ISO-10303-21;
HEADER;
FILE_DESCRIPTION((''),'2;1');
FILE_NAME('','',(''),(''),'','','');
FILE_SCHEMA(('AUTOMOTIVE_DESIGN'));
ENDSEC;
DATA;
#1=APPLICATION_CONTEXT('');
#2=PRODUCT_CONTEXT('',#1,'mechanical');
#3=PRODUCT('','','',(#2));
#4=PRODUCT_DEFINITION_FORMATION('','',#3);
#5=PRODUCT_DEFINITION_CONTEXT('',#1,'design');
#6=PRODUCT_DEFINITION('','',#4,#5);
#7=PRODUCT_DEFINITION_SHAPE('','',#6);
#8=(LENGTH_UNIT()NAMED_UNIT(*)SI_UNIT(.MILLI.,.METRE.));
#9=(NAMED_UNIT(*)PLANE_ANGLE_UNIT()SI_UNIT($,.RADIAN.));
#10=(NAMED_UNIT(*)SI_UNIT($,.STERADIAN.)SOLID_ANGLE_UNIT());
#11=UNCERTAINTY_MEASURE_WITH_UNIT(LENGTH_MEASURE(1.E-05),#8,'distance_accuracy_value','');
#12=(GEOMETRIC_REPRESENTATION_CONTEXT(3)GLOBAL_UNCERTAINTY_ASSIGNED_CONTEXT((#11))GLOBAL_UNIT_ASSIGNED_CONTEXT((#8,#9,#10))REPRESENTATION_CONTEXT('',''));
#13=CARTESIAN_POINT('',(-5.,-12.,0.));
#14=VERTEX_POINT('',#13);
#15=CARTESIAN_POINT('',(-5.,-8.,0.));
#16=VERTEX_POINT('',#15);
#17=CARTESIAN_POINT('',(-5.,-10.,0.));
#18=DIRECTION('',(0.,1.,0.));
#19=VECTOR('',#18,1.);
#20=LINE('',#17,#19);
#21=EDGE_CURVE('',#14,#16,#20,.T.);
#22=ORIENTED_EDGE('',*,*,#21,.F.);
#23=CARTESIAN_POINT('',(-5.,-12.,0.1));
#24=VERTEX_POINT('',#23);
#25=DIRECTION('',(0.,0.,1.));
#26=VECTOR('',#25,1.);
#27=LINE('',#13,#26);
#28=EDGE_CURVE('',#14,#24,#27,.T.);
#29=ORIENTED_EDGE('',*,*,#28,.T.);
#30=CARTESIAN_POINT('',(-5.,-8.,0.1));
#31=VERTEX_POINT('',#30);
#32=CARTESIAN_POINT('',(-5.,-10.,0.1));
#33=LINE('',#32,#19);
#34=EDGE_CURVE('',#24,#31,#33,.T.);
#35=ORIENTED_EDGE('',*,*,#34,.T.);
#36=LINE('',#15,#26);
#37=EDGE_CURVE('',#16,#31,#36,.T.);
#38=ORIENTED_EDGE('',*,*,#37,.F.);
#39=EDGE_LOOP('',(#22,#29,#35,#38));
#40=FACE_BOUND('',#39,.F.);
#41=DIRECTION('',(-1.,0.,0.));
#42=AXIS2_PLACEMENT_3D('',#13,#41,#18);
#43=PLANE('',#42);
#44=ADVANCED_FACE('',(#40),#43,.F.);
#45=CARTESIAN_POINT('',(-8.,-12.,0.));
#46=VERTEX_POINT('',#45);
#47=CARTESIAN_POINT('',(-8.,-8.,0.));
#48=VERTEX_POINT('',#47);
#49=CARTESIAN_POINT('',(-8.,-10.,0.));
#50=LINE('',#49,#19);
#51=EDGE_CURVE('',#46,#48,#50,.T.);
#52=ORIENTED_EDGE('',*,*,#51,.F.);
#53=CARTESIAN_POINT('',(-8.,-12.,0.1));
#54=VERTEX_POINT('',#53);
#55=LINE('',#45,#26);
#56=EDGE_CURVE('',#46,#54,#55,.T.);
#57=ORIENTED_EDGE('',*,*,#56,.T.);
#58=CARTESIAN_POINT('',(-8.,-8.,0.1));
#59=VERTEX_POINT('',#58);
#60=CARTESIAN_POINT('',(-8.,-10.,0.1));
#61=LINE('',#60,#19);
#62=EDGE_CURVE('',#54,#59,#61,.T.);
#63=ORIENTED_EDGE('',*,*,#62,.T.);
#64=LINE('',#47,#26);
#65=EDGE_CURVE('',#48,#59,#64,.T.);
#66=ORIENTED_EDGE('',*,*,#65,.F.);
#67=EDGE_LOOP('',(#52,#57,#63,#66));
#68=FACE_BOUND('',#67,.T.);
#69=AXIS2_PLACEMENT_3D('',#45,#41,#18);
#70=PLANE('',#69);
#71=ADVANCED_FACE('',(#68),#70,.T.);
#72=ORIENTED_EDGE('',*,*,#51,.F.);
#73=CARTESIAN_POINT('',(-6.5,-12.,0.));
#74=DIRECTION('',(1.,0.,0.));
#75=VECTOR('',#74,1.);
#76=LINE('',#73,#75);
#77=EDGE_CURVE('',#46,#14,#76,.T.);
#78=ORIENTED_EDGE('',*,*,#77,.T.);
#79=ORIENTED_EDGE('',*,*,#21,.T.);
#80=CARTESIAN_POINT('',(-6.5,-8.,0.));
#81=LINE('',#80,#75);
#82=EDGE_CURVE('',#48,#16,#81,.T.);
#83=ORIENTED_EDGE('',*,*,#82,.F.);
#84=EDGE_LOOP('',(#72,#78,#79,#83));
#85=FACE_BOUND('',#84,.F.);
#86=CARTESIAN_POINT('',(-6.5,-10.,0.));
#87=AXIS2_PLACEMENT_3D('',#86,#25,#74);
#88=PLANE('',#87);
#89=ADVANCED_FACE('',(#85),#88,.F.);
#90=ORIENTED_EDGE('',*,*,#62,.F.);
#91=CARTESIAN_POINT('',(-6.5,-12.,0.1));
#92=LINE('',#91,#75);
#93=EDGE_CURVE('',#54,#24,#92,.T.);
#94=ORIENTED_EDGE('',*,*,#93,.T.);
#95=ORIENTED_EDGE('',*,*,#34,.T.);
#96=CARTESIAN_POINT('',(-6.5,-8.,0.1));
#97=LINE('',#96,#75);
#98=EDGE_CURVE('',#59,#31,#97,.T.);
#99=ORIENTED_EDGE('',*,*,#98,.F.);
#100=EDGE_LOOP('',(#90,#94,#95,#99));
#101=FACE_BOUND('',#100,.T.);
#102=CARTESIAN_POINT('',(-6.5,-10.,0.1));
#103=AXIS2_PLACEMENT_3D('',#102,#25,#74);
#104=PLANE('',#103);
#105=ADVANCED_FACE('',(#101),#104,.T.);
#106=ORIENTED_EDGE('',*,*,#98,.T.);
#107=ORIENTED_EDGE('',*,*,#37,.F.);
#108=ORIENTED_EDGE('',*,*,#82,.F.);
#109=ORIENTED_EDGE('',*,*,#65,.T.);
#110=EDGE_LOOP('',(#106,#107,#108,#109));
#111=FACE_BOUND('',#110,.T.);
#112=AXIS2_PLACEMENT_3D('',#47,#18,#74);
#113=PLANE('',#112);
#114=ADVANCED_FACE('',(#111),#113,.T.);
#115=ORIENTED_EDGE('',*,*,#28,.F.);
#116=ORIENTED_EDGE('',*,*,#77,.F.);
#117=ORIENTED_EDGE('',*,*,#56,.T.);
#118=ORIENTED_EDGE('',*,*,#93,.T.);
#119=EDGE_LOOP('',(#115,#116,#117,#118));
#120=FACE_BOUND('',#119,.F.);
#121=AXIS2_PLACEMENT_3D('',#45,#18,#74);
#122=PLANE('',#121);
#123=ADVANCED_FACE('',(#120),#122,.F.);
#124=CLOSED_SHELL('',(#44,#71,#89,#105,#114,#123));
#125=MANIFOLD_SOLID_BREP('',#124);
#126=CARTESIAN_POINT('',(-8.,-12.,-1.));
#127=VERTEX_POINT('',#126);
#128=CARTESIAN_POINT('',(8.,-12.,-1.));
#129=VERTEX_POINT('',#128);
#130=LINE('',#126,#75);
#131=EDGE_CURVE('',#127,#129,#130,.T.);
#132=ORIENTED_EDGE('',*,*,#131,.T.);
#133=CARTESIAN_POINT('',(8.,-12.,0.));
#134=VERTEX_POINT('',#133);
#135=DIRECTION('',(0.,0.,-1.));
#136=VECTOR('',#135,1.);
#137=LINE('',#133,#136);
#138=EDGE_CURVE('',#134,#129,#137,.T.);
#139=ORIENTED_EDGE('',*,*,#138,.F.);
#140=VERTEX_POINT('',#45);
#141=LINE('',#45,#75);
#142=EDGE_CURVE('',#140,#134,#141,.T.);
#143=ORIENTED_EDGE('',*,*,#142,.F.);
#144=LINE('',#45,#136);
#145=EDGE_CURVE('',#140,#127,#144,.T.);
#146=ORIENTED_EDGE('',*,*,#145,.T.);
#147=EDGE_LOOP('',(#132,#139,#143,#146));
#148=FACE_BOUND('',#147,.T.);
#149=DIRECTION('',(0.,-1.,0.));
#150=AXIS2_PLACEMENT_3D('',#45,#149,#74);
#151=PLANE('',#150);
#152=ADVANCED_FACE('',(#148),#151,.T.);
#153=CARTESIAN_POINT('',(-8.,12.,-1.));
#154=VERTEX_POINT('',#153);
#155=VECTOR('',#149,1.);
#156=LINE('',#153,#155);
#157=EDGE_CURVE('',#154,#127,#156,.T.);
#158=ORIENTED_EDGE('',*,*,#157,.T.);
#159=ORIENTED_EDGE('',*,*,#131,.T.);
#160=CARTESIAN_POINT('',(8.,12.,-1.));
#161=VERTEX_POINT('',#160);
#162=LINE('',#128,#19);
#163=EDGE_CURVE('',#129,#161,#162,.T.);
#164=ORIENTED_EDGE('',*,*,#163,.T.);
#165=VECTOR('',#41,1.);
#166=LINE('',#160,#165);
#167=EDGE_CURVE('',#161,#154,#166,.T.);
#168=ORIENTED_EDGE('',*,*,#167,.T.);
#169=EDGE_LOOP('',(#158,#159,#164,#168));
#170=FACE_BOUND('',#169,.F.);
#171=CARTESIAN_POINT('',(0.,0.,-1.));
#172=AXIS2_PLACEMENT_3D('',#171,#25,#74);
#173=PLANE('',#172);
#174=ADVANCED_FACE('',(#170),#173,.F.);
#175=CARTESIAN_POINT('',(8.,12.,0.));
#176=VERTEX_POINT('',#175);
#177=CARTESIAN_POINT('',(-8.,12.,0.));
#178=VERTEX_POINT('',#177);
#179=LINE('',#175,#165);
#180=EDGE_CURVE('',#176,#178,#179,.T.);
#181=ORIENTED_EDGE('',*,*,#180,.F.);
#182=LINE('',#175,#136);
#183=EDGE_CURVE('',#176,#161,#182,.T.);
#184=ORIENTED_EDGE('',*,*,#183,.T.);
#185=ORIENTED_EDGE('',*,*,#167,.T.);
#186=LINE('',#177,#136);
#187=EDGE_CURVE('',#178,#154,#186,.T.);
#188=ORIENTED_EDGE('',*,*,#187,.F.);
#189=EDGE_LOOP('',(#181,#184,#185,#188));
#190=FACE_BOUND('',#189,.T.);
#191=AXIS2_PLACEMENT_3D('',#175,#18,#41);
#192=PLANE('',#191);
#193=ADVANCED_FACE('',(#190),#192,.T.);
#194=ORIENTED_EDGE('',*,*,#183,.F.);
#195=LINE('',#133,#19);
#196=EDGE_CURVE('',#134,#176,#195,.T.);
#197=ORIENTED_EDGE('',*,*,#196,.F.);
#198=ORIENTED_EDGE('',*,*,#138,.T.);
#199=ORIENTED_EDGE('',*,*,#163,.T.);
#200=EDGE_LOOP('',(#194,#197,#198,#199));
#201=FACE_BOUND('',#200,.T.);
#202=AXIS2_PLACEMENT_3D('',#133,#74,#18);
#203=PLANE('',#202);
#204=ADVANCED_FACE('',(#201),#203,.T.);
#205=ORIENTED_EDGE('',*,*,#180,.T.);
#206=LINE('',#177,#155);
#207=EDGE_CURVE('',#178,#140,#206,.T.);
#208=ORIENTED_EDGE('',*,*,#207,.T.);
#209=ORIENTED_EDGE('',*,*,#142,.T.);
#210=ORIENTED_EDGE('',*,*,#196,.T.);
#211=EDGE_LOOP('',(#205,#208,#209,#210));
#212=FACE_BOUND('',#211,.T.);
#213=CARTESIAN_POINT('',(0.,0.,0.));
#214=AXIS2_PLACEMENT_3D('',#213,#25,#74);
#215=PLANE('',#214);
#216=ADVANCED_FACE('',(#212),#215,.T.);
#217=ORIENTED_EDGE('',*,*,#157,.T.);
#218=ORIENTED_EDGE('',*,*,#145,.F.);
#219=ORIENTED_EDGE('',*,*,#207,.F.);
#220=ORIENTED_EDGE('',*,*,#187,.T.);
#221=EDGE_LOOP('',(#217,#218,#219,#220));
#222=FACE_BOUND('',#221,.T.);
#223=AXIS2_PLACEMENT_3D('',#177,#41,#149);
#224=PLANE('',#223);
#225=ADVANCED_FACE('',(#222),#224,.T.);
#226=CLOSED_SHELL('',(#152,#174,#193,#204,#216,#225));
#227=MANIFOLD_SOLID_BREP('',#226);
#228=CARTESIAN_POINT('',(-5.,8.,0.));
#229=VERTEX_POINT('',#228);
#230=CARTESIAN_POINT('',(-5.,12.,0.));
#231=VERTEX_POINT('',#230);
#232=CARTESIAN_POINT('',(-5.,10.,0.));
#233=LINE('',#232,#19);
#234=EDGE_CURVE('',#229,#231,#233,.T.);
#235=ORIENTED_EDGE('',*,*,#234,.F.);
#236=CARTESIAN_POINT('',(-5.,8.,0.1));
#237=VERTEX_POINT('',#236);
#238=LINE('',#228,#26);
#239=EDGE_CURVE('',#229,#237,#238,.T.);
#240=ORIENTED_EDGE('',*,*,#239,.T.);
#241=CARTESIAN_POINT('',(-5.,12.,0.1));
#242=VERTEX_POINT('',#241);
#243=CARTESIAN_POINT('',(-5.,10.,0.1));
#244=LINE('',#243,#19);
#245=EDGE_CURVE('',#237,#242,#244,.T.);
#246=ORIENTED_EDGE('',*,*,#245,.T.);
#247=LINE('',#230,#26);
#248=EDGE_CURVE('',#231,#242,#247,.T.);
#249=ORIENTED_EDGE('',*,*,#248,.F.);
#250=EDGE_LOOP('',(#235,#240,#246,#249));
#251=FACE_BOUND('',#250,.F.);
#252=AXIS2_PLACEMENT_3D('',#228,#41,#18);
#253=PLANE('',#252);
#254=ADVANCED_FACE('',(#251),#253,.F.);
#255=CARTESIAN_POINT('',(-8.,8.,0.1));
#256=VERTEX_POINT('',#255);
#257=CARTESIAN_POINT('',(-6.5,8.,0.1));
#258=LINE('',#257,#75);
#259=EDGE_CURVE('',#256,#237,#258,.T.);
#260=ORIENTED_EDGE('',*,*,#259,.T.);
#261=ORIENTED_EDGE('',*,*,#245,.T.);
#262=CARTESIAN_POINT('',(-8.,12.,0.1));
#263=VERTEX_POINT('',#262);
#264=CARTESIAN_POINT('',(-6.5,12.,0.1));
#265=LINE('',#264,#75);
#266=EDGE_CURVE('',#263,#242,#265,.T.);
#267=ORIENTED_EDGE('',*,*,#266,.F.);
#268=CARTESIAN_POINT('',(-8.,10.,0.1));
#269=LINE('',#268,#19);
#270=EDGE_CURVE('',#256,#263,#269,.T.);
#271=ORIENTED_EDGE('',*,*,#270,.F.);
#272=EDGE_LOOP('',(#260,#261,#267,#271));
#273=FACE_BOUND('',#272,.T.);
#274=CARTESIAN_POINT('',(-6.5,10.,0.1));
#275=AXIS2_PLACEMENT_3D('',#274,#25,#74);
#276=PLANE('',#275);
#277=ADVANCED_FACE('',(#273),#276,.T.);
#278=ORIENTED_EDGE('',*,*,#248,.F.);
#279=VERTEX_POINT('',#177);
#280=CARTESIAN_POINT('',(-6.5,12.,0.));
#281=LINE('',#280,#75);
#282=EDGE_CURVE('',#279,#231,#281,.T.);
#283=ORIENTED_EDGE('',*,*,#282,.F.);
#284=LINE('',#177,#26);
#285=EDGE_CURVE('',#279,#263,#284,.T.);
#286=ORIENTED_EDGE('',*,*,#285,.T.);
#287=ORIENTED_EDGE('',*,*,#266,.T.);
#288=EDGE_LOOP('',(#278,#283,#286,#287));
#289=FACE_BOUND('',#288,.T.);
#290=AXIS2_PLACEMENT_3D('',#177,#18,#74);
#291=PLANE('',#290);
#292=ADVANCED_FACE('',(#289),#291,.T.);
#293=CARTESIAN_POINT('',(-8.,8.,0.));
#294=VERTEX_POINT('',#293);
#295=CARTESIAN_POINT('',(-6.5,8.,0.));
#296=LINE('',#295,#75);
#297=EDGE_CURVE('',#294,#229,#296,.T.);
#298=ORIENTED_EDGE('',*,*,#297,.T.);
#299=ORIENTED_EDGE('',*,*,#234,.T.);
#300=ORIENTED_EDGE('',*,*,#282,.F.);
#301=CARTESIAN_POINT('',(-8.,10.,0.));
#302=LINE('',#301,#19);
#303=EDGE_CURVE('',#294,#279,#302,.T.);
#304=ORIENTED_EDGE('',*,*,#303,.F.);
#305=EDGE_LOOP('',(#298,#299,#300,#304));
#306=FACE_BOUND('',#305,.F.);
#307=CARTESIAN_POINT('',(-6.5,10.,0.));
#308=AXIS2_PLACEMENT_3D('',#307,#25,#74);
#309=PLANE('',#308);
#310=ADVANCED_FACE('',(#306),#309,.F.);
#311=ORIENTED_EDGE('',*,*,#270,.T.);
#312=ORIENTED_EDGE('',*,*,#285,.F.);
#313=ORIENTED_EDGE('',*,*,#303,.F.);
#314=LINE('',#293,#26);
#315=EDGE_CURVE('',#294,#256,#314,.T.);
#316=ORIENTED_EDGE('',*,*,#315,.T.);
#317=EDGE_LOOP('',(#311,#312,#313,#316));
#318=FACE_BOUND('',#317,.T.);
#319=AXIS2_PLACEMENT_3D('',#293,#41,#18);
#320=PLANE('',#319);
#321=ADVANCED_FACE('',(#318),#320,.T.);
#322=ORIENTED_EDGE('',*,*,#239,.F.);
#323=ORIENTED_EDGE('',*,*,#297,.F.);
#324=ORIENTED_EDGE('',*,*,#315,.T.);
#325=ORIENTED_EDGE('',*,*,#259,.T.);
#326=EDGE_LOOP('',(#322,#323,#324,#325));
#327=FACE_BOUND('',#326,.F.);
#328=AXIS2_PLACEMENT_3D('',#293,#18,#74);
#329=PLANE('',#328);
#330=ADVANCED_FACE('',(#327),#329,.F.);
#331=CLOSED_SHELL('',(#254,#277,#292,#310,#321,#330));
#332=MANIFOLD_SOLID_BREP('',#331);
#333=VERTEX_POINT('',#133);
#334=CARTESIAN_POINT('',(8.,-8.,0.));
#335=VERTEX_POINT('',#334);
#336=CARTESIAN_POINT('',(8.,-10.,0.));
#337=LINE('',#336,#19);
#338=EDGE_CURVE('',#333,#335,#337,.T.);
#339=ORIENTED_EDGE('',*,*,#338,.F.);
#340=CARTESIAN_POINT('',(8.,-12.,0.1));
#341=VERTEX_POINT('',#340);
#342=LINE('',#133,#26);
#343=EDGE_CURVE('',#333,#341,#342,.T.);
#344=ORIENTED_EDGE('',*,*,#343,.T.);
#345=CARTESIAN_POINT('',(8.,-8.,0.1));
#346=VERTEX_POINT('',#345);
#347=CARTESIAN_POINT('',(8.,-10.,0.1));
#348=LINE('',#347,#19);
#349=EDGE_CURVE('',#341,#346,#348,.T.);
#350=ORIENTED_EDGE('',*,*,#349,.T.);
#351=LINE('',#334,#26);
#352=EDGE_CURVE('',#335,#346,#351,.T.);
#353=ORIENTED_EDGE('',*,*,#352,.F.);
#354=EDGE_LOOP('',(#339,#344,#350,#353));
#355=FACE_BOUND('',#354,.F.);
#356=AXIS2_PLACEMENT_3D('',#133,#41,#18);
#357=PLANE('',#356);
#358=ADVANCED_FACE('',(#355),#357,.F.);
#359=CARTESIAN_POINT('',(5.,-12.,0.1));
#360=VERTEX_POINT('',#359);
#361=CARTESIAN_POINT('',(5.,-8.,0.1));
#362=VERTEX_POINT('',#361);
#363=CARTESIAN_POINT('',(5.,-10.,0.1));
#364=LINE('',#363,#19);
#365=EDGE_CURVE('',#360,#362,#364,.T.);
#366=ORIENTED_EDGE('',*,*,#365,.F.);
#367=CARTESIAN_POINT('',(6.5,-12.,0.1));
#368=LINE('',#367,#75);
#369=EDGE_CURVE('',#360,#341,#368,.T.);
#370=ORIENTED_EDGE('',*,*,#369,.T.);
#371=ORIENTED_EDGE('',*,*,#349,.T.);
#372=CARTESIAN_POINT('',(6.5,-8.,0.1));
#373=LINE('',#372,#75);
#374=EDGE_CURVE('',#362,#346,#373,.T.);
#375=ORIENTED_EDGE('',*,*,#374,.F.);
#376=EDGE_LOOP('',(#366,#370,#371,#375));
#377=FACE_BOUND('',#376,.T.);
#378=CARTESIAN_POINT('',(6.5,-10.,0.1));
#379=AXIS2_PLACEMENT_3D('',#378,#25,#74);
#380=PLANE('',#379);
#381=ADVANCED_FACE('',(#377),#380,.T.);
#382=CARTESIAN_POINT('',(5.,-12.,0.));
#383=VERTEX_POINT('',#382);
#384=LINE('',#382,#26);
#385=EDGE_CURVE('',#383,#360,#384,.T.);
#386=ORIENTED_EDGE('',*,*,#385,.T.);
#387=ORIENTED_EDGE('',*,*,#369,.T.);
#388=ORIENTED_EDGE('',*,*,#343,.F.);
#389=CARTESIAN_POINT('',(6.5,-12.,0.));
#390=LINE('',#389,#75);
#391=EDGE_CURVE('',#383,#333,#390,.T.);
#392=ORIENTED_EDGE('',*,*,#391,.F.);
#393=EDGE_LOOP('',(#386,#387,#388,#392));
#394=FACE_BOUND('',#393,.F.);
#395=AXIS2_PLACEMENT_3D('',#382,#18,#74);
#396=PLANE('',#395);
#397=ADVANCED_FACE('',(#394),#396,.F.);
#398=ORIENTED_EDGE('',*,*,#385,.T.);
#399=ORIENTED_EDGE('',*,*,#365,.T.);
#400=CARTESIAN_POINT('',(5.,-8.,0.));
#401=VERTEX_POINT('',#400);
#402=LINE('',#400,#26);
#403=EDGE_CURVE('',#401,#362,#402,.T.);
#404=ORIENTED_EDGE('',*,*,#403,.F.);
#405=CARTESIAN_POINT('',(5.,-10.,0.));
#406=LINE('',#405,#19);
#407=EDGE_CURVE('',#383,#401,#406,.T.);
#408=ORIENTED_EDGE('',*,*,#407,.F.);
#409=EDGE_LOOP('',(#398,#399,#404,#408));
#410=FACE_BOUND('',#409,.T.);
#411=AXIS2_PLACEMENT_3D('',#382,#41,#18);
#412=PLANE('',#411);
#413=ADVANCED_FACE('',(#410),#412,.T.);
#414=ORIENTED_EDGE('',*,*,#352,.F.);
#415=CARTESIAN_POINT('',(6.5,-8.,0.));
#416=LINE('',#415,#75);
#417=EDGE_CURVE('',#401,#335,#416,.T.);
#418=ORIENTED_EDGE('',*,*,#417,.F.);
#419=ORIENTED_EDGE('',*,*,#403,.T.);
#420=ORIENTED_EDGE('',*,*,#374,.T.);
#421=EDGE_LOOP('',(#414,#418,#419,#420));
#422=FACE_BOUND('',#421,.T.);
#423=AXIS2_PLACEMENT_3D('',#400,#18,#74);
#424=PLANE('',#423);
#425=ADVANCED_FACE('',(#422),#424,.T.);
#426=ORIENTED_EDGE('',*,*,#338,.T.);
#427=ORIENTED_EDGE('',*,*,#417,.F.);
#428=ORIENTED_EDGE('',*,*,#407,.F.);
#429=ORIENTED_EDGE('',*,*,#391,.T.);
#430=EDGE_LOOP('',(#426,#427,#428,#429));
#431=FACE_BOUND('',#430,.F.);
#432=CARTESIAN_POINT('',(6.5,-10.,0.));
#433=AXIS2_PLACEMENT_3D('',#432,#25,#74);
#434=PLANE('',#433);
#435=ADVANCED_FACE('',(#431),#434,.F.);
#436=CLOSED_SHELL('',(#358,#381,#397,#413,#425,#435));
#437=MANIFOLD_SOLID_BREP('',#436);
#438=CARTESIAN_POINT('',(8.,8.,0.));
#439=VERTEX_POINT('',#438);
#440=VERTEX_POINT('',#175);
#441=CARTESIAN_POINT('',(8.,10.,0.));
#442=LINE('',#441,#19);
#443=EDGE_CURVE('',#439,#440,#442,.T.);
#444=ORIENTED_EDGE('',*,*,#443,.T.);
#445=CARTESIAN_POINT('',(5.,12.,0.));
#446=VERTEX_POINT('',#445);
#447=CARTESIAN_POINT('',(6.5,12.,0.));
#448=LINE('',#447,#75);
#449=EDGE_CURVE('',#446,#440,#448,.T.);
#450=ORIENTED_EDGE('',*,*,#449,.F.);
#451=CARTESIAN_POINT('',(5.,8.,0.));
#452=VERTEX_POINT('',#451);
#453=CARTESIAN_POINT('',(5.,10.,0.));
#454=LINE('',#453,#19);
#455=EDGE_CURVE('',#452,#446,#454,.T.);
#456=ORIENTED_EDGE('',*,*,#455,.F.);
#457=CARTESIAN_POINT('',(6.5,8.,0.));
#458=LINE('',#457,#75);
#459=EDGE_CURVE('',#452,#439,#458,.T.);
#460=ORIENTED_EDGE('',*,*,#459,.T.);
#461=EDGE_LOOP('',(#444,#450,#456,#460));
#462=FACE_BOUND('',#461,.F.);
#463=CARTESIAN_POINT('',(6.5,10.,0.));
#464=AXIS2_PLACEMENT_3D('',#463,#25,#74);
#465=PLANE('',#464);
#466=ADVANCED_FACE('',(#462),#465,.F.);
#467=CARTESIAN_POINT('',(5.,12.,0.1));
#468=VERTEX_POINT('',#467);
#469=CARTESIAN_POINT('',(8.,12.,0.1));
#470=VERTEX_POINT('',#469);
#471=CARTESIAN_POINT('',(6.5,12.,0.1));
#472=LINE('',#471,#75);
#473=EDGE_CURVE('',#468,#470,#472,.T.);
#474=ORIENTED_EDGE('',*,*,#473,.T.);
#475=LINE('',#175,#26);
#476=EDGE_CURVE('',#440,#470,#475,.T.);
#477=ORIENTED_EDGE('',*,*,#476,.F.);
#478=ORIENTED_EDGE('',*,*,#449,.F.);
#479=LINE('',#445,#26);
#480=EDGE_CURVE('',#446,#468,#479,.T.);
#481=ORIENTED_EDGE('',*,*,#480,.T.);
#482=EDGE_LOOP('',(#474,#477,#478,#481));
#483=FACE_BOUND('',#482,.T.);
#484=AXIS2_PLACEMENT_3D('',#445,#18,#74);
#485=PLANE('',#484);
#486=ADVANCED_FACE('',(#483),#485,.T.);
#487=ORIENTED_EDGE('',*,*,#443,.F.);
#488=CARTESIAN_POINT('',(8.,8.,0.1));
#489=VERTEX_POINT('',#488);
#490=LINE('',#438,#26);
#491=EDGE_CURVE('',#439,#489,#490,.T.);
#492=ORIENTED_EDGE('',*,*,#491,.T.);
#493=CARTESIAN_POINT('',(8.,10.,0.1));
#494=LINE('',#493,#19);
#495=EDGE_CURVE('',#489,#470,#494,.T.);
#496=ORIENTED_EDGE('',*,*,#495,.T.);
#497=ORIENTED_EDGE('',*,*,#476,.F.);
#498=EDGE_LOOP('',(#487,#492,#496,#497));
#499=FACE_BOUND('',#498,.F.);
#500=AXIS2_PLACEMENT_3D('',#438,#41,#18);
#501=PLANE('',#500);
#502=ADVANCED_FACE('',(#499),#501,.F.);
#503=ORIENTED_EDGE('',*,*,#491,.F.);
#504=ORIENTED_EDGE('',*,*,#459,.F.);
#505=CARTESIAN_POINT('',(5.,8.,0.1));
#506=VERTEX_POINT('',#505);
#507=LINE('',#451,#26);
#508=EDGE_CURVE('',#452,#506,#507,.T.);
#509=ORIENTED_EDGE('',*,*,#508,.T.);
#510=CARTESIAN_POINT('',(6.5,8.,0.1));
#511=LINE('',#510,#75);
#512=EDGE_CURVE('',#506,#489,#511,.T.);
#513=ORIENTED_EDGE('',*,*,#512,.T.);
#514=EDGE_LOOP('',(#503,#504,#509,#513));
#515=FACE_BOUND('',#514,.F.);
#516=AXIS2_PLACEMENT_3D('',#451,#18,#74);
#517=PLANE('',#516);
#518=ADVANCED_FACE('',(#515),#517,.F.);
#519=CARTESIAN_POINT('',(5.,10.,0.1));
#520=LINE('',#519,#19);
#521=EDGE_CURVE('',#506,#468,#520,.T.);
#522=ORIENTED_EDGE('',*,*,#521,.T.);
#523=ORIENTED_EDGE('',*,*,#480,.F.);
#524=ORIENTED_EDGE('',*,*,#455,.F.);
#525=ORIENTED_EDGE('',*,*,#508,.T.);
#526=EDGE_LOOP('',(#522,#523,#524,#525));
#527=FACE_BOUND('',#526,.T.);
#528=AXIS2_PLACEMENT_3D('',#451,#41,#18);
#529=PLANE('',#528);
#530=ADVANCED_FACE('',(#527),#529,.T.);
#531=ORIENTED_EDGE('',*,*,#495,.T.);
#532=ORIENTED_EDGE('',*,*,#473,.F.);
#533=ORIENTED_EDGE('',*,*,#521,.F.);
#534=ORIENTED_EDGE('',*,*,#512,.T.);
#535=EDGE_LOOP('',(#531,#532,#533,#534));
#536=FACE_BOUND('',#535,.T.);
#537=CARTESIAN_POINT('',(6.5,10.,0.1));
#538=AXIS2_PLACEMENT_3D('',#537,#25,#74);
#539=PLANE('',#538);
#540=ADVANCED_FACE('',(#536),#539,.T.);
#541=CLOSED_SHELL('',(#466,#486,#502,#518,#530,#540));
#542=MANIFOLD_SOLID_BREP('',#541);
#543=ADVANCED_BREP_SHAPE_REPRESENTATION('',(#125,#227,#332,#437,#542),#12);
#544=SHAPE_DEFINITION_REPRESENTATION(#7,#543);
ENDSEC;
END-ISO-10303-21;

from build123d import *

# Parameters (mm, degrees)
F0_W     = 3
F0_H     = 4
F1_DEPTH = 1
F2_DEPTH = 0.1


with BuildPart() as f1:
    # F0 (on Top) → F1 (new body)
    with BuildSketch(Plane.XY):
        Polygon((5, 8), (5, 12), (-5, 12), (-5, 8), (-8, 8), (-8, -8), (-5, -8), (-5, -12), (5, -12), (5, -8), (8, -8), (8, 8), align=None)
        with Locations((-6.5, 10)):
            Rectangle(F0_W, F0_H)
        with Locations((6.5, 10)):
            Rectangle(F0_W, F0_H)
        with Locations((6.5, -10)):
            Rectangle(F0_W, F0_H)
        with Locations((-6.5, -10)):
            Rectangle(F0_W, F0_H)
    extrude(amount=-F1_DEPTH)


with BuildPart() as f2:
    # F0 (on Top) → F2 (new body)
    with BuildSketch(Plane.XY):
        with Locations((-6.5, -10)):
            Rectangle(F0_W, F0_H)
        with Locations((6.5, -10)):
            Rectangle(F0_W, F0_H)
        with Locations((6.5, 10)):
            Rectangle(F0_W, F0_H)
        with Locations((-6.5, 10)):
            Rectangle(F0_W, F0_H)
    extrude(amount=F2_DEPTH)


solid = Compound([f1.part, f2.part])
